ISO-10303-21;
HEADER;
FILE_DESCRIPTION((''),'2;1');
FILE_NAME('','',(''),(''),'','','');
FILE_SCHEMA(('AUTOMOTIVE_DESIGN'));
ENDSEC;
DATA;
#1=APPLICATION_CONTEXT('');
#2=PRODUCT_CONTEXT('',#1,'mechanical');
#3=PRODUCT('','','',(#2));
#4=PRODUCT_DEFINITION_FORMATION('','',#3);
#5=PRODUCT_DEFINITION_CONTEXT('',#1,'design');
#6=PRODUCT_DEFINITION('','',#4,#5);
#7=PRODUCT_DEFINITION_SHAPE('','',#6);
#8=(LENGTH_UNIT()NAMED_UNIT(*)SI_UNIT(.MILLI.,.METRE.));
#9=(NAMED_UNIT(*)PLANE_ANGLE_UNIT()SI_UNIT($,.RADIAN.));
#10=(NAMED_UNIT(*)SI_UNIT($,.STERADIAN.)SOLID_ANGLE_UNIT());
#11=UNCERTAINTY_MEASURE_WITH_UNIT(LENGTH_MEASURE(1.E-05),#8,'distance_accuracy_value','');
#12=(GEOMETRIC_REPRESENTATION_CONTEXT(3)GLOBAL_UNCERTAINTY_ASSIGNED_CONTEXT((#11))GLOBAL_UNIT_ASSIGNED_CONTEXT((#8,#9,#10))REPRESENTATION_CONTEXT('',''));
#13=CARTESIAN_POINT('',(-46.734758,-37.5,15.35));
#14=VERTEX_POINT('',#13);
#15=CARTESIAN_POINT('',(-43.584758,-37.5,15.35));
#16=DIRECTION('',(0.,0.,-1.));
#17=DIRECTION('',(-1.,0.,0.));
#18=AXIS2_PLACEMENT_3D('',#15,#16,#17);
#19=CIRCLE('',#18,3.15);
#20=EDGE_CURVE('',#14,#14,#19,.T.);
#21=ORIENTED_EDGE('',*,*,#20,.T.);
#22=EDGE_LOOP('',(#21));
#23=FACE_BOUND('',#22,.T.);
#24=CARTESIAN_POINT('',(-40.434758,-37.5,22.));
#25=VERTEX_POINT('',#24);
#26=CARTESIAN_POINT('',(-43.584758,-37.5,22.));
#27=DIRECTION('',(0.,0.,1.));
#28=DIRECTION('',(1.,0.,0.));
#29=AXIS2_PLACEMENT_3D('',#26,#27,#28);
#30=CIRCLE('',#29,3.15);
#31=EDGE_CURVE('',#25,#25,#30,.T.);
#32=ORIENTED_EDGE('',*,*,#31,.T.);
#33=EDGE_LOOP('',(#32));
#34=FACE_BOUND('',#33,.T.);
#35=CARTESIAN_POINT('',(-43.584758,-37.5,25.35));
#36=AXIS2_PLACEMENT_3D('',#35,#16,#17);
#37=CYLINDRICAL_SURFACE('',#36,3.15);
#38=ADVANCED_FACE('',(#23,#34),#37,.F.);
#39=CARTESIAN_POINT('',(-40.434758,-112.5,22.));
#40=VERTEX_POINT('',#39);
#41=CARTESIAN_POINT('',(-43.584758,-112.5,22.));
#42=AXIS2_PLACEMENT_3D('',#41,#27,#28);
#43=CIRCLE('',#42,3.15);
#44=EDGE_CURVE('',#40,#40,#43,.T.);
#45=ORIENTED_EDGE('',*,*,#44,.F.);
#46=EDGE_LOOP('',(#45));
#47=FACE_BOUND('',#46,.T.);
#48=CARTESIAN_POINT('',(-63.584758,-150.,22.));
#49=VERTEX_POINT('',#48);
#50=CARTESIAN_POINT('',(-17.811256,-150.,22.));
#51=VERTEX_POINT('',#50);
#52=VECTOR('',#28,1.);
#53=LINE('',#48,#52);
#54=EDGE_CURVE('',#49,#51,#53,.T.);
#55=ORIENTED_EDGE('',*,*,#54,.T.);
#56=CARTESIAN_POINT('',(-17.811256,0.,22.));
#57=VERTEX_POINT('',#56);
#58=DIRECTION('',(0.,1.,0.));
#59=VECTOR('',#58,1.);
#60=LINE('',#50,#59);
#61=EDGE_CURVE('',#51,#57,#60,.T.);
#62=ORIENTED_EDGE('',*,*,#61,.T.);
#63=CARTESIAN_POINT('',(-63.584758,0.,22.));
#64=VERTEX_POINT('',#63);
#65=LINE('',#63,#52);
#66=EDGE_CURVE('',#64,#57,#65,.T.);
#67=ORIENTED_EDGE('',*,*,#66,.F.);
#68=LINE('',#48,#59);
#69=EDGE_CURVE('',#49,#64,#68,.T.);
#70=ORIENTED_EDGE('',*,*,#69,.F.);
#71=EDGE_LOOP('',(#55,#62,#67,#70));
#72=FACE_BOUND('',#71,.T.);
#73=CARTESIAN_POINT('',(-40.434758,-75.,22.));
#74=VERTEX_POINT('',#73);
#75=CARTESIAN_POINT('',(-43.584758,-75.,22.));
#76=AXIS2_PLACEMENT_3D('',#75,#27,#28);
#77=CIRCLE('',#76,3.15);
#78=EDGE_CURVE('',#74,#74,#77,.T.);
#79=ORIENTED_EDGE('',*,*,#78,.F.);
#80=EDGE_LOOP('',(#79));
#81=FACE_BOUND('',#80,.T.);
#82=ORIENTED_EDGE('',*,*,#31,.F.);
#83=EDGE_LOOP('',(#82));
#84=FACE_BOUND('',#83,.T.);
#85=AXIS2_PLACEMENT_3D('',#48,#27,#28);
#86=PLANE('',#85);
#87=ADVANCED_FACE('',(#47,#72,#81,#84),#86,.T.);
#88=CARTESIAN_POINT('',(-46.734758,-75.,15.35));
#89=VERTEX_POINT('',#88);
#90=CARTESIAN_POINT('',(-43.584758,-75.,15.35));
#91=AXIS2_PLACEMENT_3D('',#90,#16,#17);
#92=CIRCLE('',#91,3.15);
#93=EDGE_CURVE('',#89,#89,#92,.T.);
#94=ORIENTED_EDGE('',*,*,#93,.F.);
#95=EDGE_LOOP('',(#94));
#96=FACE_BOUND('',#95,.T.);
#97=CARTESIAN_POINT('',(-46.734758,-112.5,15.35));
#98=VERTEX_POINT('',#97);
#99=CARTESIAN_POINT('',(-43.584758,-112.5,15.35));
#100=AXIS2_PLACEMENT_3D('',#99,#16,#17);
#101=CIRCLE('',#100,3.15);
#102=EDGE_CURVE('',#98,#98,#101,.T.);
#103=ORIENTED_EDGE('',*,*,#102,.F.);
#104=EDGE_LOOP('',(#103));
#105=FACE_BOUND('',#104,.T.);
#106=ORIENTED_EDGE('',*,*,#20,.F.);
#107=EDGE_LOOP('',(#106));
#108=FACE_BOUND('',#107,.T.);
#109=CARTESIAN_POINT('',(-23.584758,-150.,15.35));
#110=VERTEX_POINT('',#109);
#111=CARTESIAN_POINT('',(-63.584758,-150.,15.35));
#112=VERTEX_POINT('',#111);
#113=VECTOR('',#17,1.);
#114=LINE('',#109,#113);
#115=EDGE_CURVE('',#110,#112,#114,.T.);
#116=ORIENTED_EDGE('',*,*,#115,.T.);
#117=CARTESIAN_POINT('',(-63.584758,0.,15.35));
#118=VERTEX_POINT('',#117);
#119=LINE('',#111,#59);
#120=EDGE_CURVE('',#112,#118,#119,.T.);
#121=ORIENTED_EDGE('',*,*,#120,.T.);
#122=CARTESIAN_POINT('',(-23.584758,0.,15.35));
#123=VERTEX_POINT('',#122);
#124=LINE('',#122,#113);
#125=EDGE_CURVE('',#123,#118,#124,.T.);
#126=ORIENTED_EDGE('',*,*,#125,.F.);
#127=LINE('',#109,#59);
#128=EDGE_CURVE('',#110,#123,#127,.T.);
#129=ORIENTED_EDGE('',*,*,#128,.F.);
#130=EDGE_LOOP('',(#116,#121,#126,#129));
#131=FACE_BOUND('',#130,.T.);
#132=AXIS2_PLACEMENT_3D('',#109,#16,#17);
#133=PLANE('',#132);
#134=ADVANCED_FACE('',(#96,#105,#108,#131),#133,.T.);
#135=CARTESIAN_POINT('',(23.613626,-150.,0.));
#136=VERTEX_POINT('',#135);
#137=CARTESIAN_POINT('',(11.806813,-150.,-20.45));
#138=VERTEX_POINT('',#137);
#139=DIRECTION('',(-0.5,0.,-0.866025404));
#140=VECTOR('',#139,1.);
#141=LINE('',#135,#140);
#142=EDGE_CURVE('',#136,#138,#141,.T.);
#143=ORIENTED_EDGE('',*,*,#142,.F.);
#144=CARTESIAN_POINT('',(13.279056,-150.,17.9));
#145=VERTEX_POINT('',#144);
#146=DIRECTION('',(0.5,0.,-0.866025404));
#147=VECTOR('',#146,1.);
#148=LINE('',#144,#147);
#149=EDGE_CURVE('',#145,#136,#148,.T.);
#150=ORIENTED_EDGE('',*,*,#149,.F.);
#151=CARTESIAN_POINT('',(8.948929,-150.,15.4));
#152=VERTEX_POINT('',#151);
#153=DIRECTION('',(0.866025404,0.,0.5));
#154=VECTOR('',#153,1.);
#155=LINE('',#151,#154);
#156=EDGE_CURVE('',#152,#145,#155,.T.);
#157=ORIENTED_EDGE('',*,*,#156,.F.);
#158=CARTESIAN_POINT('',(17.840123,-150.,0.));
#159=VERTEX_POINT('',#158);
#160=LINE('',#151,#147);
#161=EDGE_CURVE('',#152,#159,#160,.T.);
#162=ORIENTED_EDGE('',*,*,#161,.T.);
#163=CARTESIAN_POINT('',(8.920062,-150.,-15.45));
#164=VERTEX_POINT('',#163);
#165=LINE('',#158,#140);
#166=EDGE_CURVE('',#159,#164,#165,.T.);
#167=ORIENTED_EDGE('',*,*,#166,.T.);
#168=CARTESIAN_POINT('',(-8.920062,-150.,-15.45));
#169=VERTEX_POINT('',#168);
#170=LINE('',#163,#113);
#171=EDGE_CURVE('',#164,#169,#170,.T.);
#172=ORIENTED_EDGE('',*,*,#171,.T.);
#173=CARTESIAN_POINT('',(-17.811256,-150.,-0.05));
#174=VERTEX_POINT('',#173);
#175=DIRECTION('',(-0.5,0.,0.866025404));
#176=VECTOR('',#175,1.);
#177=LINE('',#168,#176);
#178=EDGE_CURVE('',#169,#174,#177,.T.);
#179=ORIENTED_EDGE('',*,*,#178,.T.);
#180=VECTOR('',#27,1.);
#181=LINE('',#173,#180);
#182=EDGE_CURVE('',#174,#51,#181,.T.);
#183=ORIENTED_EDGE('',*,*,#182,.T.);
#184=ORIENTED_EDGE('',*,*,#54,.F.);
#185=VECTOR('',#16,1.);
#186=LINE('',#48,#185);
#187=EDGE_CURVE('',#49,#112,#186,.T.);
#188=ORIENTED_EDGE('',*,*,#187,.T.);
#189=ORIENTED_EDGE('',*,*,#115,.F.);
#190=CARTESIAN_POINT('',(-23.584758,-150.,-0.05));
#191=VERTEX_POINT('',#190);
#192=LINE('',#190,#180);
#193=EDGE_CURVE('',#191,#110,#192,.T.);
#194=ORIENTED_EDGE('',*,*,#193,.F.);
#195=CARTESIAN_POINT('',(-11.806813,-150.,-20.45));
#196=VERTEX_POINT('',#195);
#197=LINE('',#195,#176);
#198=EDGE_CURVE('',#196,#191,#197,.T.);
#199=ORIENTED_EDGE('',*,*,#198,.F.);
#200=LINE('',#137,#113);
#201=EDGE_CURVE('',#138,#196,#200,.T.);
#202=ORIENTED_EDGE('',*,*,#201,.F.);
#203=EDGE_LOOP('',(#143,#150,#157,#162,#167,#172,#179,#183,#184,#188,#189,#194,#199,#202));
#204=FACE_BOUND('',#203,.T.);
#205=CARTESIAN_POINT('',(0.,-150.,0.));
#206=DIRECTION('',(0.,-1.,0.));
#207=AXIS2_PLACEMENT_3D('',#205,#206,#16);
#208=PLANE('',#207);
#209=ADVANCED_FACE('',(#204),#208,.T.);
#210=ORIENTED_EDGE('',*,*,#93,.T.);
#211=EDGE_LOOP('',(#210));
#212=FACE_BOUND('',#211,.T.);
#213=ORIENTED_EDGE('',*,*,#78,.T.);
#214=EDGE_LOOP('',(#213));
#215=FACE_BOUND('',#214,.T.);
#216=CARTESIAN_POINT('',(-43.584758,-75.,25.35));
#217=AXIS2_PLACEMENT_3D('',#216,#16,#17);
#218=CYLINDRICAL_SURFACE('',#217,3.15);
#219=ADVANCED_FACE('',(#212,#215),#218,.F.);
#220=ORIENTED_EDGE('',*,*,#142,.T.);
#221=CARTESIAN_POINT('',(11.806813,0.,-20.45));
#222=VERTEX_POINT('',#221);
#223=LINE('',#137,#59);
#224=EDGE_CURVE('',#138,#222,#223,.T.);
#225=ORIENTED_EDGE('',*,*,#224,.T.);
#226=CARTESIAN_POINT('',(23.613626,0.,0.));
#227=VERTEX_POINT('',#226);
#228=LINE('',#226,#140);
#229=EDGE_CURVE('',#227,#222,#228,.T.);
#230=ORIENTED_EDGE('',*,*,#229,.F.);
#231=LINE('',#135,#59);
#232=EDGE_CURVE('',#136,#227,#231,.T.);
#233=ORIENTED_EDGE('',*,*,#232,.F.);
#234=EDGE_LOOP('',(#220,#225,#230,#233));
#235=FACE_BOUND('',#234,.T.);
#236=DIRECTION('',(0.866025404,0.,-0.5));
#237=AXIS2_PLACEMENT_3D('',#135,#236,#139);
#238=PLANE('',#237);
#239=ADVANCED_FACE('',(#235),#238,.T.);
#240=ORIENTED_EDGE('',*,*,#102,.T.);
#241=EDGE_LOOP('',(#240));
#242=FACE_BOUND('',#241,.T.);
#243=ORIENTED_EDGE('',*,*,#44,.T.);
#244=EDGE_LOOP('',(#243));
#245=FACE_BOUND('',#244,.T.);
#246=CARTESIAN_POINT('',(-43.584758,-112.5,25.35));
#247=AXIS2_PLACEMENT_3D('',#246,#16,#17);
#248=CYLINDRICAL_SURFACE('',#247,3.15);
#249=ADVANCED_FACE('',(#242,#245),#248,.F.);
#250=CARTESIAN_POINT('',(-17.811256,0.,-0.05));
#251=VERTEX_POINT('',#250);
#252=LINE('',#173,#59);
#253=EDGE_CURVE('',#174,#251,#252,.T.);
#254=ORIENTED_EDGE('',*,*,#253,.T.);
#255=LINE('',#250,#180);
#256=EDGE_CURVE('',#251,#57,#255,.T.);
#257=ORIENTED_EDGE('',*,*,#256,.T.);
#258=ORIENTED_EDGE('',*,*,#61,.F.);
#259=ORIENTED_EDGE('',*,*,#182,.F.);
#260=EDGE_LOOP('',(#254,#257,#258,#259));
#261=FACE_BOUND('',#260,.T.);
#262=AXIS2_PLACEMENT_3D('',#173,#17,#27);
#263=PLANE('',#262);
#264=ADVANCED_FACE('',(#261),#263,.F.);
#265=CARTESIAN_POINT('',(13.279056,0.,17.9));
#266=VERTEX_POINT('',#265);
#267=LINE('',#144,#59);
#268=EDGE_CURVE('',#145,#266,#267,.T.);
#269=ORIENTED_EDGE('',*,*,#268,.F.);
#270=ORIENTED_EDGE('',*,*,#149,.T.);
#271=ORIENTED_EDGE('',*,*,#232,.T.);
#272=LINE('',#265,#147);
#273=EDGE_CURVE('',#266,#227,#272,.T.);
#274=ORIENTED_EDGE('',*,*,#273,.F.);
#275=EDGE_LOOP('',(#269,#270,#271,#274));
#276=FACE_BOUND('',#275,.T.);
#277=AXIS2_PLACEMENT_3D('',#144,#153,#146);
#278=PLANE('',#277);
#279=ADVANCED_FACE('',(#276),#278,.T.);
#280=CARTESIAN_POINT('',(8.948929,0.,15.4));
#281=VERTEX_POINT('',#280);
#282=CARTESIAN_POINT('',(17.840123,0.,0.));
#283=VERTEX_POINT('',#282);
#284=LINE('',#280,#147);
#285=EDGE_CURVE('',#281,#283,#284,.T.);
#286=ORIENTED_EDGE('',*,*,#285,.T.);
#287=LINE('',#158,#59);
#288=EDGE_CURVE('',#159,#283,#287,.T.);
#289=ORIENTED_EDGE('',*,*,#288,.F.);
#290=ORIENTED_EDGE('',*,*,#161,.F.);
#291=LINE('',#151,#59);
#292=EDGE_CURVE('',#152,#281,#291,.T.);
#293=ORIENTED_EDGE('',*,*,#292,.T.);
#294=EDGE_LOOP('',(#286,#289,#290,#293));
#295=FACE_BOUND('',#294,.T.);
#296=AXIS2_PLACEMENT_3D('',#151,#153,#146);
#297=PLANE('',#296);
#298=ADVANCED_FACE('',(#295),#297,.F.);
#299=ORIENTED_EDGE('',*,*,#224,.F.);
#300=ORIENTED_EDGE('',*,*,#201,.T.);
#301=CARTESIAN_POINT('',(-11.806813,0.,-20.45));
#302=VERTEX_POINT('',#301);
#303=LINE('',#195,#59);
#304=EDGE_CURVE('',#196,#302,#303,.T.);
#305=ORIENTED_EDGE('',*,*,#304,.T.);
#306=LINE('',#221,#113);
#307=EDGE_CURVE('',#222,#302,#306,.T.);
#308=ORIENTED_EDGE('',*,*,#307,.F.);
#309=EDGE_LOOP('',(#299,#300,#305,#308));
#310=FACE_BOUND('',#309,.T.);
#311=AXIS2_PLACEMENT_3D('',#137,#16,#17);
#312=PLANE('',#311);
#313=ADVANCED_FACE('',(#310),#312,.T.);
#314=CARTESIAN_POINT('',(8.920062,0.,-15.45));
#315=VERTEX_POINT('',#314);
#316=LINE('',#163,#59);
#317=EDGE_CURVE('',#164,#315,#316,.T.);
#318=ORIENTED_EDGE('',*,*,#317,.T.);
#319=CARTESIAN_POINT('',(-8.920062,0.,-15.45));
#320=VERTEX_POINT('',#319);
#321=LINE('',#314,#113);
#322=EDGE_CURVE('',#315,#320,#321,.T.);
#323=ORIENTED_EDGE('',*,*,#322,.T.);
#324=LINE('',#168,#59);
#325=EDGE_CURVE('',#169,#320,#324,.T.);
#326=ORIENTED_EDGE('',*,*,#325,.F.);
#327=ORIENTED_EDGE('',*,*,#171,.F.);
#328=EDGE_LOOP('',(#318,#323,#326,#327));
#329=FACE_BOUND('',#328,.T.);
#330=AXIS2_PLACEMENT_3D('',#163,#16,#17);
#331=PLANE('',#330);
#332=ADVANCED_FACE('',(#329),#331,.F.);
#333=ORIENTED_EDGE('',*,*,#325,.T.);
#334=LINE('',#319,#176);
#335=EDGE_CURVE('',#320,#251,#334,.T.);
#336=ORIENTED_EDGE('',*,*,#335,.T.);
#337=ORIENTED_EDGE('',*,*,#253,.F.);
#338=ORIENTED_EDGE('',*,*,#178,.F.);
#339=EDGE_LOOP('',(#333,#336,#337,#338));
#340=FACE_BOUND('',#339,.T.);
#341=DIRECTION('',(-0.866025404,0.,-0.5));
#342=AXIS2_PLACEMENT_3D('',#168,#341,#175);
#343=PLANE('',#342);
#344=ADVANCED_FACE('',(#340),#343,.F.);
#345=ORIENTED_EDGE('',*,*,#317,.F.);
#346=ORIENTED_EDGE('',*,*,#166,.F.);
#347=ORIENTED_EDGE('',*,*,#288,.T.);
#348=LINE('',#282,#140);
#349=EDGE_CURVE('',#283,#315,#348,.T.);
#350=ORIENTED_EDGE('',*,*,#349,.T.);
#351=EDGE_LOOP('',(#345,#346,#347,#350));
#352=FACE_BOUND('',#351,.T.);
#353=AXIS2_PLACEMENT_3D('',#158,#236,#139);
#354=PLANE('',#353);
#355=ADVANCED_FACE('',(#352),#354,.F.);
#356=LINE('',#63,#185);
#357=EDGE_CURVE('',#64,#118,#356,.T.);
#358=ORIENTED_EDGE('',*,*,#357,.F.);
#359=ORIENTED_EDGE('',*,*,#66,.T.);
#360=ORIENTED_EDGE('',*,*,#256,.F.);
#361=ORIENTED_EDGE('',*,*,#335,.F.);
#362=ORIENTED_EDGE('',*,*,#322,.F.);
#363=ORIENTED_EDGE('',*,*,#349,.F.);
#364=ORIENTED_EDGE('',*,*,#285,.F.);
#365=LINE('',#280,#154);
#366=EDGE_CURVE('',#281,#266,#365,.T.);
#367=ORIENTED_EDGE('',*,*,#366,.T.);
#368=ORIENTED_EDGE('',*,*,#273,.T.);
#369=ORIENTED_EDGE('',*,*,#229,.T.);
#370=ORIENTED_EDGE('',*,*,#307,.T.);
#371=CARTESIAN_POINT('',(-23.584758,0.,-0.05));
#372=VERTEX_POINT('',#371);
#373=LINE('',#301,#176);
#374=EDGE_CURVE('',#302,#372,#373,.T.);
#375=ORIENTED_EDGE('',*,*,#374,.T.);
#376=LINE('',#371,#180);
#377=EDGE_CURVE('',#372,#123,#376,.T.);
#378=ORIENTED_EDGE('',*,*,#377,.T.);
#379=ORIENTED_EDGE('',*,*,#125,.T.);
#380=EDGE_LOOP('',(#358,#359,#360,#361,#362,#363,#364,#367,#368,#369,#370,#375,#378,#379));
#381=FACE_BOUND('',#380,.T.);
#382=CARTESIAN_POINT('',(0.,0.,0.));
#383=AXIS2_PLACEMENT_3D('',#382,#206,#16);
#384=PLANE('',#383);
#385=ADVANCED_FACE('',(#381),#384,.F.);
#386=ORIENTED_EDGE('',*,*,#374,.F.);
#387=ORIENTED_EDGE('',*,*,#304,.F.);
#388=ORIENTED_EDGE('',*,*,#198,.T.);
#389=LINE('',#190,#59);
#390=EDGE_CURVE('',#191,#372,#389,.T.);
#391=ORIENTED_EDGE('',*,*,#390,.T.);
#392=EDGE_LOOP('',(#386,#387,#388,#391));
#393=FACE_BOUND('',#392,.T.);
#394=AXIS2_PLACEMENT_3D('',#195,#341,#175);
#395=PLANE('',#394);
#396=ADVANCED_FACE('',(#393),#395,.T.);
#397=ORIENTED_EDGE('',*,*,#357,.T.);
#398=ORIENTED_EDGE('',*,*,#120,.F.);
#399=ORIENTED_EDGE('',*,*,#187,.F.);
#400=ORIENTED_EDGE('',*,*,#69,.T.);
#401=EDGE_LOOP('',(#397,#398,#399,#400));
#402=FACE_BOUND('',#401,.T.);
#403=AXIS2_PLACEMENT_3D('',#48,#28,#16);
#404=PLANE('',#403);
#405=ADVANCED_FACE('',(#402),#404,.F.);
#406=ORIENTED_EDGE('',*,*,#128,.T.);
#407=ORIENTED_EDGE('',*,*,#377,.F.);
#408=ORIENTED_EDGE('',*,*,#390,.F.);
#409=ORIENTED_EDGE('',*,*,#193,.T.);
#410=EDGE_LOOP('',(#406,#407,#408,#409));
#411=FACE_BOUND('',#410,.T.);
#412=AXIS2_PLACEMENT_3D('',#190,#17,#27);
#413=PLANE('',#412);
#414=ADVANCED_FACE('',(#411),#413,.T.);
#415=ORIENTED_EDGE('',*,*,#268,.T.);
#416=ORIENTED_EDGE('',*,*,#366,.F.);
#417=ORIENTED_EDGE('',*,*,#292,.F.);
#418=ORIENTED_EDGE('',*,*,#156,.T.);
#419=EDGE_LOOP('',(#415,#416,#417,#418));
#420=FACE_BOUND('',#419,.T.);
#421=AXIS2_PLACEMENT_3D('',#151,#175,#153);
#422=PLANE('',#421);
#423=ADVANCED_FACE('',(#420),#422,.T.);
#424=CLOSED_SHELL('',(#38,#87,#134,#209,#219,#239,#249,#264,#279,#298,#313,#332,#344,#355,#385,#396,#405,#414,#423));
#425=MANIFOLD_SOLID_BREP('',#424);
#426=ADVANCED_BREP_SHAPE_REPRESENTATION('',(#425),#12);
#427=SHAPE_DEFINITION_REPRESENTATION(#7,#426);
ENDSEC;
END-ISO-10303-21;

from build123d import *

# Parameters (mm, degrees)
BOSS_EXTRUDE3_DEPTH = 150
SKETCH5_R           = 3.15
CUT_EXTRUDE1_DEPTH  = 10


with BuildPart() as part:
    # Sketch4 → Boss-Extrude3 (new body)
    with BuildSketch(Plane(origin=(0, 0, 0), x_dir=(1, 0, 0), z_dir=(0, 1, 0))):
        Polygon((8.948929172, -15.4), (17.840123318, 0), (8.920061659, 15.45), (-8.920061659, 15.45), (-17.811255804, 0.05), (-17.811255804, -22), (-63.584758496, -22), (-63.584758496, -15.35), (-23.584758496, -15.35), (-23.584758496, 0.05), (-11.806813005, 20.45), (11.806813005, 20.45), (23.61362601, 0), (13.279056191, -17.9), align=None)
    extrude(amount=-BOSS_EXTRUDE3_DEPTH)

    # Sketch5 → Cut-Extrude1 (cut)
    with BuildSketch(Plane(origin=(0, 0, 15.35), x_dir=(-1, 0, 0), z_dir=(0, 0, -1))):
        with Locations((43.584758496, -37.5)):
            Circle(SKETCH5_R)
        with Locations((43.584758496, -75)):
            Circle(SKETCH5_R)
        with Locations((43.584758496, -112.5)):
            Circle(SKETCH5_R)
    extrude(amount=-CUT_EXTRUDE1_DEPTH, mode=Mode.SUBTRACT)


solid = part.part
